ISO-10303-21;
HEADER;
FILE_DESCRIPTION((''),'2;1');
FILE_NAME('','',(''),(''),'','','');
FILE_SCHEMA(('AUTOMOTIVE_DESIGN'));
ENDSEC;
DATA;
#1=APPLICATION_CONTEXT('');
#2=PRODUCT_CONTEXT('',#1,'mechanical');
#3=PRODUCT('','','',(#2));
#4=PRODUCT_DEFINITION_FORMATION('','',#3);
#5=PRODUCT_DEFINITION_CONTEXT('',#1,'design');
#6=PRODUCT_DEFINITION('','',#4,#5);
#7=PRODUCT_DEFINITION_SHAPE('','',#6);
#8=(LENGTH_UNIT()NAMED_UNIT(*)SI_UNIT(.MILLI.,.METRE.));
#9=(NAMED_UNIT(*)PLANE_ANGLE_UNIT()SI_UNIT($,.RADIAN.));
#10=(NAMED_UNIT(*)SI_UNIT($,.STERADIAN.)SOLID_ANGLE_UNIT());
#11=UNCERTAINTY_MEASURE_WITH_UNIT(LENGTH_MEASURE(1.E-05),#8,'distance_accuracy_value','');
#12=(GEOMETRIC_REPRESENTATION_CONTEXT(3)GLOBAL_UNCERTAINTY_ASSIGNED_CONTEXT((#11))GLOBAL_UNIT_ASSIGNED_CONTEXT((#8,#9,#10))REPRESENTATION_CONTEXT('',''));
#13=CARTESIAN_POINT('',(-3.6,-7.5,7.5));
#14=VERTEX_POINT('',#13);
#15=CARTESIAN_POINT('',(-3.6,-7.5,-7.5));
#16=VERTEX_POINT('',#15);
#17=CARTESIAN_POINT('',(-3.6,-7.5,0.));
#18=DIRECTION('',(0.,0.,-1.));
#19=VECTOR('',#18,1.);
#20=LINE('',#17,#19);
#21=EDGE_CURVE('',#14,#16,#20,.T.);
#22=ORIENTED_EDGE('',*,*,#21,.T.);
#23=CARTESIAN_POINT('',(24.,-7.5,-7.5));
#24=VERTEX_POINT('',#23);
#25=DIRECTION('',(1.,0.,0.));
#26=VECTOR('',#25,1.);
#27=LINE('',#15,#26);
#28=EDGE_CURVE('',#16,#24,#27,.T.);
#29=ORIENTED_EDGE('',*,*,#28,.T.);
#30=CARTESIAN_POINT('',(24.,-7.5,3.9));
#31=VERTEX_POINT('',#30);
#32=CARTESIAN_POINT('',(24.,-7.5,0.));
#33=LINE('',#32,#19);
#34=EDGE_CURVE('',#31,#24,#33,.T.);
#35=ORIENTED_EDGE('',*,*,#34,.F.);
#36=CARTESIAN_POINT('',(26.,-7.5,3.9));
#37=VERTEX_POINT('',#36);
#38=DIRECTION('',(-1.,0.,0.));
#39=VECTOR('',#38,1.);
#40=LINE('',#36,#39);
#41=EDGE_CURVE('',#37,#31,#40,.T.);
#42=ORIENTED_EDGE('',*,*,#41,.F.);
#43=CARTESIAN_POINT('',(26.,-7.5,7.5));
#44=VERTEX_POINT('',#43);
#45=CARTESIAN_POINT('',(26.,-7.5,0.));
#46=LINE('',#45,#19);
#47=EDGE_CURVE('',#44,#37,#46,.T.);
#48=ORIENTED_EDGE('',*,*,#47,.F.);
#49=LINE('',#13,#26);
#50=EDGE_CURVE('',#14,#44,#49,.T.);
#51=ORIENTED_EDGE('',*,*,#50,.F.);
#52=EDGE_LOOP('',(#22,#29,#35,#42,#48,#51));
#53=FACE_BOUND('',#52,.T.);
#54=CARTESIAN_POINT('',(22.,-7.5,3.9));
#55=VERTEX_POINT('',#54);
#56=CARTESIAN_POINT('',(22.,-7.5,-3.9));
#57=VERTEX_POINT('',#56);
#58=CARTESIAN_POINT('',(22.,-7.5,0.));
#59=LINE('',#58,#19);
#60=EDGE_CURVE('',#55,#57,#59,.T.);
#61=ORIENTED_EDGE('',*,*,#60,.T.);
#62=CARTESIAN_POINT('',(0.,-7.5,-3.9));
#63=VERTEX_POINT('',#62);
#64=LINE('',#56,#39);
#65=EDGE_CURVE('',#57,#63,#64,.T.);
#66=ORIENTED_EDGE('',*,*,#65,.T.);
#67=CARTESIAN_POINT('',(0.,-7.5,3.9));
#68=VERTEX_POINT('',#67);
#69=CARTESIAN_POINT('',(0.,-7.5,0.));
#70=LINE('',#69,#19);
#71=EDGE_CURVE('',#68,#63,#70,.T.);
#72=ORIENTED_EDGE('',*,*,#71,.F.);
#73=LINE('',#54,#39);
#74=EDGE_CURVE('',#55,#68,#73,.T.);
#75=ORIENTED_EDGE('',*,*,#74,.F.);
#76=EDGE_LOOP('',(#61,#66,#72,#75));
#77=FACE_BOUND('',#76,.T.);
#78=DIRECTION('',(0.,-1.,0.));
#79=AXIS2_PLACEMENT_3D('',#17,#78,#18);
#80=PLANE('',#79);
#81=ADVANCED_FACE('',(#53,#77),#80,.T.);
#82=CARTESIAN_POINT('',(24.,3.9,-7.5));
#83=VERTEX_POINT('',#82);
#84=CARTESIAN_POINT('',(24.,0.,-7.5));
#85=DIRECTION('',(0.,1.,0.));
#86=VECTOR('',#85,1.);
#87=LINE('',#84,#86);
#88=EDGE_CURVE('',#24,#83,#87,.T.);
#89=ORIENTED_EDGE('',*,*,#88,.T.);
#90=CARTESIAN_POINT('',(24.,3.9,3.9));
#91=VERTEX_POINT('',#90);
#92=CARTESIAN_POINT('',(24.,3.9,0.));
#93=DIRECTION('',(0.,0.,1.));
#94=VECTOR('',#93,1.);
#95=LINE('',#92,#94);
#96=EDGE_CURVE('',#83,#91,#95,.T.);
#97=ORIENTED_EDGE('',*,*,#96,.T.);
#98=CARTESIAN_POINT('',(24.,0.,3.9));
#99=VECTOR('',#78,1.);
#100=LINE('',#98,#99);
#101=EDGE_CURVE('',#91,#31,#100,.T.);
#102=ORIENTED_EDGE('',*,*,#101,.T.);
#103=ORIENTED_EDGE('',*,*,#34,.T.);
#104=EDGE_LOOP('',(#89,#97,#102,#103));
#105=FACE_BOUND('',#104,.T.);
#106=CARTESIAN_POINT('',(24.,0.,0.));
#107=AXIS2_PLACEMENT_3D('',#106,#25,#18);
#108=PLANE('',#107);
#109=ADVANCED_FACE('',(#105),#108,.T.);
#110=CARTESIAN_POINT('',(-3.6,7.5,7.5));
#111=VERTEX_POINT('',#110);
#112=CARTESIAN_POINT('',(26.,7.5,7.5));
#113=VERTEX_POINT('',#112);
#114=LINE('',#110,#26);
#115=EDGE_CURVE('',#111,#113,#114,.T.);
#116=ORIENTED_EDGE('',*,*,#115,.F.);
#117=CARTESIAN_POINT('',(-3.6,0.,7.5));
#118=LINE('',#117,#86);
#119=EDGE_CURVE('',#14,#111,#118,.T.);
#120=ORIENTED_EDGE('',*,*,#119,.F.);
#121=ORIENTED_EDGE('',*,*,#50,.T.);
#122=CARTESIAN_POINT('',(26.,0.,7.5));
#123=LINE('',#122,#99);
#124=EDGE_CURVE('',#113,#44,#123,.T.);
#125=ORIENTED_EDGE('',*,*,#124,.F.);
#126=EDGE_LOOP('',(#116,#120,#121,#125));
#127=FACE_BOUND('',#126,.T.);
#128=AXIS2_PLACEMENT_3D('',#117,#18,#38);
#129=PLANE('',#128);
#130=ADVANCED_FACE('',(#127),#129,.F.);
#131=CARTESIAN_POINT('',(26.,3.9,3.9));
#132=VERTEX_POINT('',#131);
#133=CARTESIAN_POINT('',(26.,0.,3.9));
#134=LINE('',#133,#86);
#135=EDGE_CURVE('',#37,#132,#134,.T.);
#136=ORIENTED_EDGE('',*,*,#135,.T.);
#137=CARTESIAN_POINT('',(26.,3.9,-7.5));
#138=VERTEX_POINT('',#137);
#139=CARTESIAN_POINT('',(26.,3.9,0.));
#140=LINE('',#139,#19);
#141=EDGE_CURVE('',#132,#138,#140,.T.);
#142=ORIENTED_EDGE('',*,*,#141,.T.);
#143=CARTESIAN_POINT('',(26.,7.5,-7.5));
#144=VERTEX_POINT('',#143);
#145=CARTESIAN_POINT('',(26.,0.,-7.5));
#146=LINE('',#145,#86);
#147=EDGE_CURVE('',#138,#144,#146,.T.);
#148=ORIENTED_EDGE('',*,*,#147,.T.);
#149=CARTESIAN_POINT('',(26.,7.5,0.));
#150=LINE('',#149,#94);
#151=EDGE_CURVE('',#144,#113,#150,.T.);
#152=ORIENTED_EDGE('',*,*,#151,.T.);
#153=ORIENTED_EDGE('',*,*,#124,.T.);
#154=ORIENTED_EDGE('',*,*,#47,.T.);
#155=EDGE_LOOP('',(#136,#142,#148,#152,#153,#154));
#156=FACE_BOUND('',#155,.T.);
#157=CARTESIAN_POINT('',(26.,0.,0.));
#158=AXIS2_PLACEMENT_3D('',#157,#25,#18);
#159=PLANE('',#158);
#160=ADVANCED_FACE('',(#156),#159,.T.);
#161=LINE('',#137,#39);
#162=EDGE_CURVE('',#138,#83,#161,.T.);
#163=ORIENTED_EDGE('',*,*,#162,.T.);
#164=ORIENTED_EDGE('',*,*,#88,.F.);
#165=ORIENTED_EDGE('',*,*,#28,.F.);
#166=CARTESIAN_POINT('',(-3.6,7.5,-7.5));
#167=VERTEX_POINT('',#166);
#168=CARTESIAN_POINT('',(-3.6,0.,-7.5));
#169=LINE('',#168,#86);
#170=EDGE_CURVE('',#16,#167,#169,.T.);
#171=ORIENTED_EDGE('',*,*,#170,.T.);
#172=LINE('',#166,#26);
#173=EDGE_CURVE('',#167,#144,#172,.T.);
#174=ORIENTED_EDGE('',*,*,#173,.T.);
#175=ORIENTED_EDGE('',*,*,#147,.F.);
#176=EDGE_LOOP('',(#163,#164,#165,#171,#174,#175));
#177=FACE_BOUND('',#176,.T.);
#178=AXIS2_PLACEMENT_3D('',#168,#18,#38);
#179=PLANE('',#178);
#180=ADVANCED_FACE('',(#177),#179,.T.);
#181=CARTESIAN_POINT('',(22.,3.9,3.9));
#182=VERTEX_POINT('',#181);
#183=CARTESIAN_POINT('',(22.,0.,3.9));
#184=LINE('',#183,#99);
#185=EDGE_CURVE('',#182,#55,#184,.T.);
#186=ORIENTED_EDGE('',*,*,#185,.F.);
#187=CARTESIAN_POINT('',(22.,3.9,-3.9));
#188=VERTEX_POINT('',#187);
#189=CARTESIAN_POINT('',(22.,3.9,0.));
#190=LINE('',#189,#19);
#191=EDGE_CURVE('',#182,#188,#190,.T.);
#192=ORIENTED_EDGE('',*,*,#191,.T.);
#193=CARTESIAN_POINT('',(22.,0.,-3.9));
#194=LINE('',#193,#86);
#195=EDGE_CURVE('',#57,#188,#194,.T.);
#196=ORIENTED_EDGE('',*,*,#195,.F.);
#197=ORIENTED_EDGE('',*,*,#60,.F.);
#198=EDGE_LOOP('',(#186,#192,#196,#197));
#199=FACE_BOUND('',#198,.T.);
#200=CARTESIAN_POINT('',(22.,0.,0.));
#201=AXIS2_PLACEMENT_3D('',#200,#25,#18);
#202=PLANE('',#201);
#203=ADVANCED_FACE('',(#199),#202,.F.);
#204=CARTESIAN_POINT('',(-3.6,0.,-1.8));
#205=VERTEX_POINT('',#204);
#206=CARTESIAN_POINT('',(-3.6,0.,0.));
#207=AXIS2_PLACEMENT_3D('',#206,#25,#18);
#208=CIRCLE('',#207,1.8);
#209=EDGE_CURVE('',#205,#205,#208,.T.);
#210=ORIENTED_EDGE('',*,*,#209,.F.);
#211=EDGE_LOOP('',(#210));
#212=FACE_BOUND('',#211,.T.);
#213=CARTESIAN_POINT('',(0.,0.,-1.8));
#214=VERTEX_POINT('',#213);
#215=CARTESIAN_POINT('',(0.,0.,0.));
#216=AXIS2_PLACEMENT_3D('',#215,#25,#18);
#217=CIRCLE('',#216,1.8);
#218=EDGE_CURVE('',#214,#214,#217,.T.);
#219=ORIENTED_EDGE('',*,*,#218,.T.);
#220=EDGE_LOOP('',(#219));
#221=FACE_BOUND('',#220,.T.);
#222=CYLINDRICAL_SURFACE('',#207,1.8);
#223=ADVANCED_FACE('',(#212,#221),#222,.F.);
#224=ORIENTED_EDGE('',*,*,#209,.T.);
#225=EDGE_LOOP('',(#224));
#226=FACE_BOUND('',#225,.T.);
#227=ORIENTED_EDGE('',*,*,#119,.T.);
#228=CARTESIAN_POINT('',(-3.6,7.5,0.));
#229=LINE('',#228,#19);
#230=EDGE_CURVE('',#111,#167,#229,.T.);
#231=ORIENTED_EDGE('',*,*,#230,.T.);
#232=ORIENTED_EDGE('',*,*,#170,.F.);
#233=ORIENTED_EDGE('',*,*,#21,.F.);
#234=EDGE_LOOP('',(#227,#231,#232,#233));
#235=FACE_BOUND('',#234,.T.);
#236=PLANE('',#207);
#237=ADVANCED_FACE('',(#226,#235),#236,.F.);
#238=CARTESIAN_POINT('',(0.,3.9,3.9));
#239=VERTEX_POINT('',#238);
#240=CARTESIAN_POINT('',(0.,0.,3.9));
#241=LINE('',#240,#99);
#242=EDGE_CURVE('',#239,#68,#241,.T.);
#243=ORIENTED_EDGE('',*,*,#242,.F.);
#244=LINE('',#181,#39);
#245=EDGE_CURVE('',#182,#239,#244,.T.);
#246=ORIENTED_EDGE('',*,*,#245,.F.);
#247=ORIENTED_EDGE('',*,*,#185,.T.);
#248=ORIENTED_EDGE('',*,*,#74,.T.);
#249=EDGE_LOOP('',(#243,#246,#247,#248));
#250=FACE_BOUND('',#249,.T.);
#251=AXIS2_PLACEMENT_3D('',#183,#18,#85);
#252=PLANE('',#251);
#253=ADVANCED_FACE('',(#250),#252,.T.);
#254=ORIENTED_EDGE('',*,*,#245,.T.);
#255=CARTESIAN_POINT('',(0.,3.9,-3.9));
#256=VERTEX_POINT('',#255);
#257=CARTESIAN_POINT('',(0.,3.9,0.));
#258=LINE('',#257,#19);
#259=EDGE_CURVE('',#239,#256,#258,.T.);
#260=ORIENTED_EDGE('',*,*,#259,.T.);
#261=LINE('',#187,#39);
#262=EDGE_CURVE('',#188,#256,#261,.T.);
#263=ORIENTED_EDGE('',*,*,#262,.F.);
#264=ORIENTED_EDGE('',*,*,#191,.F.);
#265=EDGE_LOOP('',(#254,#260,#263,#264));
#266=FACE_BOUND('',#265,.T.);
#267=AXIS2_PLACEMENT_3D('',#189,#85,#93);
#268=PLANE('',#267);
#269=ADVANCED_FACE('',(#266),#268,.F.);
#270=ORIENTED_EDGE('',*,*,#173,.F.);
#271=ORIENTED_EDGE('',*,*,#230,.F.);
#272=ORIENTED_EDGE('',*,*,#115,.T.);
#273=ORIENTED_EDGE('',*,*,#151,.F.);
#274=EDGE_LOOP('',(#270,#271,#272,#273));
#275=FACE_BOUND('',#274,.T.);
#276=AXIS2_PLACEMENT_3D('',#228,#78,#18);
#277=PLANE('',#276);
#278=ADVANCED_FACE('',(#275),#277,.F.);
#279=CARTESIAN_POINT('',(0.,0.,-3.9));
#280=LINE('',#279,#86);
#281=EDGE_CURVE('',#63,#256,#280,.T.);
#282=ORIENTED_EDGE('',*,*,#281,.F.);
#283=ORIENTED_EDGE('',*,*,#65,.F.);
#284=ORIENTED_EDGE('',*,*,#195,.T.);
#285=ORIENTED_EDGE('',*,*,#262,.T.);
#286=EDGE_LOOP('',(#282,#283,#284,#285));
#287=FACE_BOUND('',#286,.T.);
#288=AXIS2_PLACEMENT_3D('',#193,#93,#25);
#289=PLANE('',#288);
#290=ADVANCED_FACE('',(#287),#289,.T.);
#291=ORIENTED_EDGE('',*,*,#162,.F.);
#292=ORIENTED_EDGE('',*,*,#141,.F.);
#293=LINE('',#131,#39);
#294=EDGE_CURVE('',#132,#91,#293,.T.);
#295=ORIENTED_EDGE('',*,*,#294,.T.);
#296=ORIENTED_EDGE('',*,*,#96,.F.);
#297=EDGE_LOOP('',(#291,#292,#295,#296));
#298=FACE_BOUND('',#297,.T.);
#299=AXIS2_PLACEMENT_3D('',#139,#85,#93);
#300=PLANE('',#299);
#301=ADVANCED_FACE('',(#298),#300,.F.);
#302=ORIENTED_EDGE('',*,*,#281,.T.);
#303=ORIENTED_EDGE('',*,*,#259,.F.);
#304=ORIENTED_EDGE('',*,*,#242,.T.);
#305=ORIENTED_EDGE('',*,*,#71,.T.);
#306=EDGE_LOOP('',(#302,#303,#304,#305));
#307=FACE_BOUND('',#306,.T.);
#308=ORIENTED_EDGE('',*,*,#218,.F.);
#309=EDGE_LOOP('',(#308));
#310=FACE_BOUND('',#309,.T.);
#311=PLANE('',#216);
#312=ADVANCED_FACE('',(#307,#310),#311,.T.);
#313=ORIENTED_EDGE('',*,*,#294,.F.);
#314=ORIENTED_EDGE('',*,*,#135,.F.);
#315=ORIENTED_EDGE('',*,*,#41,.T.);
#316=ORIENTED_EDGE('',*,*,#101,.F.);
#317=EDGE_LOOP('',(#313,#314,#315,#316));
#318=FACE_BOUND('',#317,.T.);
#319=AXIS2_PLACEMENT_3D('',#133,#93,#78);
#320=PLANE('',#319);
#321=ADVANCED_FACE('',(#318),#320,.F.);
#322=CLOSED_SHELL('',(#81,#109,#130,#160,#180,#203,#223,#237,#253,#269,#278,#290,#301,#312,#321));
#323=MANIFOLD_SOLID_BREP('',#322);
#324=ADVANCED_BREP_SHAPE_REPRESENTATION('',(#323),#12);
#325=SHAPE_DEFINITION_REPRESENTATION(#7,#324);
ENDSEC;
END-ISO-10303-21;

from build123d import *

# Parameters (mm, degrees)
SKETCH1_W           = 15
SKETCH1_H           = 15
SKETCH1_R           = 1.8
BOSS_EXTRUDE1_DEPTH = 3.6
BOSS_EXTRUDE2_DEPTH = 22
SKETCH2_W           = 15
SKETCH2_H           = 15
BOSS_EXTRUDE3_DEPTH = 2
BOSS_EXTRUDE4_DEPTH = 4


with BuildPart() as part:
    # Sketch1 → Boss-Extrude1 (new body)
    with BuildSketch(Plane(origin=(0, 0, 0), x_dir=(0, 0, -1), z_dir=(1, 0, 0))):
        Rectangle(SKETCH1_W, SKETCH1_H)
        Circle(SKETCH1_R, mode=Mode.SUBTRACT)
    extrude(amount=-BOSS_EXTRUDE1_DEPTH)

    # Sketch1<3> → Boss-Extrude2 (add)
    with BuildSketch(Plane(origin=(0, 0, 0), x_dir=(0, 0, -1), z_dir=(1, 0, 0))):
        Polygon((-7.5, -7.5), (-3.9, -7.5), (-3.9, 3.9), (3.9, 3.9), (3.9, -7.5), (7.5, -7.5), (7.5, 7.5), (-7.5, 7.5), align=None)
    extrude(amount=BOSS_EXTRUDE2_DEPTH)

    # Sketch2 → Boss-Extrude3 (add)
    with BuildSketch(Plane(origin=(22, 0, 0), x_dir=(0, 0, -1), z_dir=(1, 0, 0))):
        Rectangle(SKETCH2_W, SKETCH2_H)
    extrude(amount=BOSS_EXTRUDE3_DEPTH)

    # Sketch2<3> → Boss-Extrude4 (add)
    with BuildSketch(Plane(origin=(22, 0, 0), x_dir=(0, 0, -1), z_dir=(1, 0, 0))):
        Polygon((-7.5, 7.5), (-7.5, -7.5), (-3.9, -7.5), (-3.9, 3.9), (7.5, 3.9), (7.5, 7.5), align=None)
    extrude(amount=BOSS_EXTRUDE4_DEPTH)


solid = part.part
